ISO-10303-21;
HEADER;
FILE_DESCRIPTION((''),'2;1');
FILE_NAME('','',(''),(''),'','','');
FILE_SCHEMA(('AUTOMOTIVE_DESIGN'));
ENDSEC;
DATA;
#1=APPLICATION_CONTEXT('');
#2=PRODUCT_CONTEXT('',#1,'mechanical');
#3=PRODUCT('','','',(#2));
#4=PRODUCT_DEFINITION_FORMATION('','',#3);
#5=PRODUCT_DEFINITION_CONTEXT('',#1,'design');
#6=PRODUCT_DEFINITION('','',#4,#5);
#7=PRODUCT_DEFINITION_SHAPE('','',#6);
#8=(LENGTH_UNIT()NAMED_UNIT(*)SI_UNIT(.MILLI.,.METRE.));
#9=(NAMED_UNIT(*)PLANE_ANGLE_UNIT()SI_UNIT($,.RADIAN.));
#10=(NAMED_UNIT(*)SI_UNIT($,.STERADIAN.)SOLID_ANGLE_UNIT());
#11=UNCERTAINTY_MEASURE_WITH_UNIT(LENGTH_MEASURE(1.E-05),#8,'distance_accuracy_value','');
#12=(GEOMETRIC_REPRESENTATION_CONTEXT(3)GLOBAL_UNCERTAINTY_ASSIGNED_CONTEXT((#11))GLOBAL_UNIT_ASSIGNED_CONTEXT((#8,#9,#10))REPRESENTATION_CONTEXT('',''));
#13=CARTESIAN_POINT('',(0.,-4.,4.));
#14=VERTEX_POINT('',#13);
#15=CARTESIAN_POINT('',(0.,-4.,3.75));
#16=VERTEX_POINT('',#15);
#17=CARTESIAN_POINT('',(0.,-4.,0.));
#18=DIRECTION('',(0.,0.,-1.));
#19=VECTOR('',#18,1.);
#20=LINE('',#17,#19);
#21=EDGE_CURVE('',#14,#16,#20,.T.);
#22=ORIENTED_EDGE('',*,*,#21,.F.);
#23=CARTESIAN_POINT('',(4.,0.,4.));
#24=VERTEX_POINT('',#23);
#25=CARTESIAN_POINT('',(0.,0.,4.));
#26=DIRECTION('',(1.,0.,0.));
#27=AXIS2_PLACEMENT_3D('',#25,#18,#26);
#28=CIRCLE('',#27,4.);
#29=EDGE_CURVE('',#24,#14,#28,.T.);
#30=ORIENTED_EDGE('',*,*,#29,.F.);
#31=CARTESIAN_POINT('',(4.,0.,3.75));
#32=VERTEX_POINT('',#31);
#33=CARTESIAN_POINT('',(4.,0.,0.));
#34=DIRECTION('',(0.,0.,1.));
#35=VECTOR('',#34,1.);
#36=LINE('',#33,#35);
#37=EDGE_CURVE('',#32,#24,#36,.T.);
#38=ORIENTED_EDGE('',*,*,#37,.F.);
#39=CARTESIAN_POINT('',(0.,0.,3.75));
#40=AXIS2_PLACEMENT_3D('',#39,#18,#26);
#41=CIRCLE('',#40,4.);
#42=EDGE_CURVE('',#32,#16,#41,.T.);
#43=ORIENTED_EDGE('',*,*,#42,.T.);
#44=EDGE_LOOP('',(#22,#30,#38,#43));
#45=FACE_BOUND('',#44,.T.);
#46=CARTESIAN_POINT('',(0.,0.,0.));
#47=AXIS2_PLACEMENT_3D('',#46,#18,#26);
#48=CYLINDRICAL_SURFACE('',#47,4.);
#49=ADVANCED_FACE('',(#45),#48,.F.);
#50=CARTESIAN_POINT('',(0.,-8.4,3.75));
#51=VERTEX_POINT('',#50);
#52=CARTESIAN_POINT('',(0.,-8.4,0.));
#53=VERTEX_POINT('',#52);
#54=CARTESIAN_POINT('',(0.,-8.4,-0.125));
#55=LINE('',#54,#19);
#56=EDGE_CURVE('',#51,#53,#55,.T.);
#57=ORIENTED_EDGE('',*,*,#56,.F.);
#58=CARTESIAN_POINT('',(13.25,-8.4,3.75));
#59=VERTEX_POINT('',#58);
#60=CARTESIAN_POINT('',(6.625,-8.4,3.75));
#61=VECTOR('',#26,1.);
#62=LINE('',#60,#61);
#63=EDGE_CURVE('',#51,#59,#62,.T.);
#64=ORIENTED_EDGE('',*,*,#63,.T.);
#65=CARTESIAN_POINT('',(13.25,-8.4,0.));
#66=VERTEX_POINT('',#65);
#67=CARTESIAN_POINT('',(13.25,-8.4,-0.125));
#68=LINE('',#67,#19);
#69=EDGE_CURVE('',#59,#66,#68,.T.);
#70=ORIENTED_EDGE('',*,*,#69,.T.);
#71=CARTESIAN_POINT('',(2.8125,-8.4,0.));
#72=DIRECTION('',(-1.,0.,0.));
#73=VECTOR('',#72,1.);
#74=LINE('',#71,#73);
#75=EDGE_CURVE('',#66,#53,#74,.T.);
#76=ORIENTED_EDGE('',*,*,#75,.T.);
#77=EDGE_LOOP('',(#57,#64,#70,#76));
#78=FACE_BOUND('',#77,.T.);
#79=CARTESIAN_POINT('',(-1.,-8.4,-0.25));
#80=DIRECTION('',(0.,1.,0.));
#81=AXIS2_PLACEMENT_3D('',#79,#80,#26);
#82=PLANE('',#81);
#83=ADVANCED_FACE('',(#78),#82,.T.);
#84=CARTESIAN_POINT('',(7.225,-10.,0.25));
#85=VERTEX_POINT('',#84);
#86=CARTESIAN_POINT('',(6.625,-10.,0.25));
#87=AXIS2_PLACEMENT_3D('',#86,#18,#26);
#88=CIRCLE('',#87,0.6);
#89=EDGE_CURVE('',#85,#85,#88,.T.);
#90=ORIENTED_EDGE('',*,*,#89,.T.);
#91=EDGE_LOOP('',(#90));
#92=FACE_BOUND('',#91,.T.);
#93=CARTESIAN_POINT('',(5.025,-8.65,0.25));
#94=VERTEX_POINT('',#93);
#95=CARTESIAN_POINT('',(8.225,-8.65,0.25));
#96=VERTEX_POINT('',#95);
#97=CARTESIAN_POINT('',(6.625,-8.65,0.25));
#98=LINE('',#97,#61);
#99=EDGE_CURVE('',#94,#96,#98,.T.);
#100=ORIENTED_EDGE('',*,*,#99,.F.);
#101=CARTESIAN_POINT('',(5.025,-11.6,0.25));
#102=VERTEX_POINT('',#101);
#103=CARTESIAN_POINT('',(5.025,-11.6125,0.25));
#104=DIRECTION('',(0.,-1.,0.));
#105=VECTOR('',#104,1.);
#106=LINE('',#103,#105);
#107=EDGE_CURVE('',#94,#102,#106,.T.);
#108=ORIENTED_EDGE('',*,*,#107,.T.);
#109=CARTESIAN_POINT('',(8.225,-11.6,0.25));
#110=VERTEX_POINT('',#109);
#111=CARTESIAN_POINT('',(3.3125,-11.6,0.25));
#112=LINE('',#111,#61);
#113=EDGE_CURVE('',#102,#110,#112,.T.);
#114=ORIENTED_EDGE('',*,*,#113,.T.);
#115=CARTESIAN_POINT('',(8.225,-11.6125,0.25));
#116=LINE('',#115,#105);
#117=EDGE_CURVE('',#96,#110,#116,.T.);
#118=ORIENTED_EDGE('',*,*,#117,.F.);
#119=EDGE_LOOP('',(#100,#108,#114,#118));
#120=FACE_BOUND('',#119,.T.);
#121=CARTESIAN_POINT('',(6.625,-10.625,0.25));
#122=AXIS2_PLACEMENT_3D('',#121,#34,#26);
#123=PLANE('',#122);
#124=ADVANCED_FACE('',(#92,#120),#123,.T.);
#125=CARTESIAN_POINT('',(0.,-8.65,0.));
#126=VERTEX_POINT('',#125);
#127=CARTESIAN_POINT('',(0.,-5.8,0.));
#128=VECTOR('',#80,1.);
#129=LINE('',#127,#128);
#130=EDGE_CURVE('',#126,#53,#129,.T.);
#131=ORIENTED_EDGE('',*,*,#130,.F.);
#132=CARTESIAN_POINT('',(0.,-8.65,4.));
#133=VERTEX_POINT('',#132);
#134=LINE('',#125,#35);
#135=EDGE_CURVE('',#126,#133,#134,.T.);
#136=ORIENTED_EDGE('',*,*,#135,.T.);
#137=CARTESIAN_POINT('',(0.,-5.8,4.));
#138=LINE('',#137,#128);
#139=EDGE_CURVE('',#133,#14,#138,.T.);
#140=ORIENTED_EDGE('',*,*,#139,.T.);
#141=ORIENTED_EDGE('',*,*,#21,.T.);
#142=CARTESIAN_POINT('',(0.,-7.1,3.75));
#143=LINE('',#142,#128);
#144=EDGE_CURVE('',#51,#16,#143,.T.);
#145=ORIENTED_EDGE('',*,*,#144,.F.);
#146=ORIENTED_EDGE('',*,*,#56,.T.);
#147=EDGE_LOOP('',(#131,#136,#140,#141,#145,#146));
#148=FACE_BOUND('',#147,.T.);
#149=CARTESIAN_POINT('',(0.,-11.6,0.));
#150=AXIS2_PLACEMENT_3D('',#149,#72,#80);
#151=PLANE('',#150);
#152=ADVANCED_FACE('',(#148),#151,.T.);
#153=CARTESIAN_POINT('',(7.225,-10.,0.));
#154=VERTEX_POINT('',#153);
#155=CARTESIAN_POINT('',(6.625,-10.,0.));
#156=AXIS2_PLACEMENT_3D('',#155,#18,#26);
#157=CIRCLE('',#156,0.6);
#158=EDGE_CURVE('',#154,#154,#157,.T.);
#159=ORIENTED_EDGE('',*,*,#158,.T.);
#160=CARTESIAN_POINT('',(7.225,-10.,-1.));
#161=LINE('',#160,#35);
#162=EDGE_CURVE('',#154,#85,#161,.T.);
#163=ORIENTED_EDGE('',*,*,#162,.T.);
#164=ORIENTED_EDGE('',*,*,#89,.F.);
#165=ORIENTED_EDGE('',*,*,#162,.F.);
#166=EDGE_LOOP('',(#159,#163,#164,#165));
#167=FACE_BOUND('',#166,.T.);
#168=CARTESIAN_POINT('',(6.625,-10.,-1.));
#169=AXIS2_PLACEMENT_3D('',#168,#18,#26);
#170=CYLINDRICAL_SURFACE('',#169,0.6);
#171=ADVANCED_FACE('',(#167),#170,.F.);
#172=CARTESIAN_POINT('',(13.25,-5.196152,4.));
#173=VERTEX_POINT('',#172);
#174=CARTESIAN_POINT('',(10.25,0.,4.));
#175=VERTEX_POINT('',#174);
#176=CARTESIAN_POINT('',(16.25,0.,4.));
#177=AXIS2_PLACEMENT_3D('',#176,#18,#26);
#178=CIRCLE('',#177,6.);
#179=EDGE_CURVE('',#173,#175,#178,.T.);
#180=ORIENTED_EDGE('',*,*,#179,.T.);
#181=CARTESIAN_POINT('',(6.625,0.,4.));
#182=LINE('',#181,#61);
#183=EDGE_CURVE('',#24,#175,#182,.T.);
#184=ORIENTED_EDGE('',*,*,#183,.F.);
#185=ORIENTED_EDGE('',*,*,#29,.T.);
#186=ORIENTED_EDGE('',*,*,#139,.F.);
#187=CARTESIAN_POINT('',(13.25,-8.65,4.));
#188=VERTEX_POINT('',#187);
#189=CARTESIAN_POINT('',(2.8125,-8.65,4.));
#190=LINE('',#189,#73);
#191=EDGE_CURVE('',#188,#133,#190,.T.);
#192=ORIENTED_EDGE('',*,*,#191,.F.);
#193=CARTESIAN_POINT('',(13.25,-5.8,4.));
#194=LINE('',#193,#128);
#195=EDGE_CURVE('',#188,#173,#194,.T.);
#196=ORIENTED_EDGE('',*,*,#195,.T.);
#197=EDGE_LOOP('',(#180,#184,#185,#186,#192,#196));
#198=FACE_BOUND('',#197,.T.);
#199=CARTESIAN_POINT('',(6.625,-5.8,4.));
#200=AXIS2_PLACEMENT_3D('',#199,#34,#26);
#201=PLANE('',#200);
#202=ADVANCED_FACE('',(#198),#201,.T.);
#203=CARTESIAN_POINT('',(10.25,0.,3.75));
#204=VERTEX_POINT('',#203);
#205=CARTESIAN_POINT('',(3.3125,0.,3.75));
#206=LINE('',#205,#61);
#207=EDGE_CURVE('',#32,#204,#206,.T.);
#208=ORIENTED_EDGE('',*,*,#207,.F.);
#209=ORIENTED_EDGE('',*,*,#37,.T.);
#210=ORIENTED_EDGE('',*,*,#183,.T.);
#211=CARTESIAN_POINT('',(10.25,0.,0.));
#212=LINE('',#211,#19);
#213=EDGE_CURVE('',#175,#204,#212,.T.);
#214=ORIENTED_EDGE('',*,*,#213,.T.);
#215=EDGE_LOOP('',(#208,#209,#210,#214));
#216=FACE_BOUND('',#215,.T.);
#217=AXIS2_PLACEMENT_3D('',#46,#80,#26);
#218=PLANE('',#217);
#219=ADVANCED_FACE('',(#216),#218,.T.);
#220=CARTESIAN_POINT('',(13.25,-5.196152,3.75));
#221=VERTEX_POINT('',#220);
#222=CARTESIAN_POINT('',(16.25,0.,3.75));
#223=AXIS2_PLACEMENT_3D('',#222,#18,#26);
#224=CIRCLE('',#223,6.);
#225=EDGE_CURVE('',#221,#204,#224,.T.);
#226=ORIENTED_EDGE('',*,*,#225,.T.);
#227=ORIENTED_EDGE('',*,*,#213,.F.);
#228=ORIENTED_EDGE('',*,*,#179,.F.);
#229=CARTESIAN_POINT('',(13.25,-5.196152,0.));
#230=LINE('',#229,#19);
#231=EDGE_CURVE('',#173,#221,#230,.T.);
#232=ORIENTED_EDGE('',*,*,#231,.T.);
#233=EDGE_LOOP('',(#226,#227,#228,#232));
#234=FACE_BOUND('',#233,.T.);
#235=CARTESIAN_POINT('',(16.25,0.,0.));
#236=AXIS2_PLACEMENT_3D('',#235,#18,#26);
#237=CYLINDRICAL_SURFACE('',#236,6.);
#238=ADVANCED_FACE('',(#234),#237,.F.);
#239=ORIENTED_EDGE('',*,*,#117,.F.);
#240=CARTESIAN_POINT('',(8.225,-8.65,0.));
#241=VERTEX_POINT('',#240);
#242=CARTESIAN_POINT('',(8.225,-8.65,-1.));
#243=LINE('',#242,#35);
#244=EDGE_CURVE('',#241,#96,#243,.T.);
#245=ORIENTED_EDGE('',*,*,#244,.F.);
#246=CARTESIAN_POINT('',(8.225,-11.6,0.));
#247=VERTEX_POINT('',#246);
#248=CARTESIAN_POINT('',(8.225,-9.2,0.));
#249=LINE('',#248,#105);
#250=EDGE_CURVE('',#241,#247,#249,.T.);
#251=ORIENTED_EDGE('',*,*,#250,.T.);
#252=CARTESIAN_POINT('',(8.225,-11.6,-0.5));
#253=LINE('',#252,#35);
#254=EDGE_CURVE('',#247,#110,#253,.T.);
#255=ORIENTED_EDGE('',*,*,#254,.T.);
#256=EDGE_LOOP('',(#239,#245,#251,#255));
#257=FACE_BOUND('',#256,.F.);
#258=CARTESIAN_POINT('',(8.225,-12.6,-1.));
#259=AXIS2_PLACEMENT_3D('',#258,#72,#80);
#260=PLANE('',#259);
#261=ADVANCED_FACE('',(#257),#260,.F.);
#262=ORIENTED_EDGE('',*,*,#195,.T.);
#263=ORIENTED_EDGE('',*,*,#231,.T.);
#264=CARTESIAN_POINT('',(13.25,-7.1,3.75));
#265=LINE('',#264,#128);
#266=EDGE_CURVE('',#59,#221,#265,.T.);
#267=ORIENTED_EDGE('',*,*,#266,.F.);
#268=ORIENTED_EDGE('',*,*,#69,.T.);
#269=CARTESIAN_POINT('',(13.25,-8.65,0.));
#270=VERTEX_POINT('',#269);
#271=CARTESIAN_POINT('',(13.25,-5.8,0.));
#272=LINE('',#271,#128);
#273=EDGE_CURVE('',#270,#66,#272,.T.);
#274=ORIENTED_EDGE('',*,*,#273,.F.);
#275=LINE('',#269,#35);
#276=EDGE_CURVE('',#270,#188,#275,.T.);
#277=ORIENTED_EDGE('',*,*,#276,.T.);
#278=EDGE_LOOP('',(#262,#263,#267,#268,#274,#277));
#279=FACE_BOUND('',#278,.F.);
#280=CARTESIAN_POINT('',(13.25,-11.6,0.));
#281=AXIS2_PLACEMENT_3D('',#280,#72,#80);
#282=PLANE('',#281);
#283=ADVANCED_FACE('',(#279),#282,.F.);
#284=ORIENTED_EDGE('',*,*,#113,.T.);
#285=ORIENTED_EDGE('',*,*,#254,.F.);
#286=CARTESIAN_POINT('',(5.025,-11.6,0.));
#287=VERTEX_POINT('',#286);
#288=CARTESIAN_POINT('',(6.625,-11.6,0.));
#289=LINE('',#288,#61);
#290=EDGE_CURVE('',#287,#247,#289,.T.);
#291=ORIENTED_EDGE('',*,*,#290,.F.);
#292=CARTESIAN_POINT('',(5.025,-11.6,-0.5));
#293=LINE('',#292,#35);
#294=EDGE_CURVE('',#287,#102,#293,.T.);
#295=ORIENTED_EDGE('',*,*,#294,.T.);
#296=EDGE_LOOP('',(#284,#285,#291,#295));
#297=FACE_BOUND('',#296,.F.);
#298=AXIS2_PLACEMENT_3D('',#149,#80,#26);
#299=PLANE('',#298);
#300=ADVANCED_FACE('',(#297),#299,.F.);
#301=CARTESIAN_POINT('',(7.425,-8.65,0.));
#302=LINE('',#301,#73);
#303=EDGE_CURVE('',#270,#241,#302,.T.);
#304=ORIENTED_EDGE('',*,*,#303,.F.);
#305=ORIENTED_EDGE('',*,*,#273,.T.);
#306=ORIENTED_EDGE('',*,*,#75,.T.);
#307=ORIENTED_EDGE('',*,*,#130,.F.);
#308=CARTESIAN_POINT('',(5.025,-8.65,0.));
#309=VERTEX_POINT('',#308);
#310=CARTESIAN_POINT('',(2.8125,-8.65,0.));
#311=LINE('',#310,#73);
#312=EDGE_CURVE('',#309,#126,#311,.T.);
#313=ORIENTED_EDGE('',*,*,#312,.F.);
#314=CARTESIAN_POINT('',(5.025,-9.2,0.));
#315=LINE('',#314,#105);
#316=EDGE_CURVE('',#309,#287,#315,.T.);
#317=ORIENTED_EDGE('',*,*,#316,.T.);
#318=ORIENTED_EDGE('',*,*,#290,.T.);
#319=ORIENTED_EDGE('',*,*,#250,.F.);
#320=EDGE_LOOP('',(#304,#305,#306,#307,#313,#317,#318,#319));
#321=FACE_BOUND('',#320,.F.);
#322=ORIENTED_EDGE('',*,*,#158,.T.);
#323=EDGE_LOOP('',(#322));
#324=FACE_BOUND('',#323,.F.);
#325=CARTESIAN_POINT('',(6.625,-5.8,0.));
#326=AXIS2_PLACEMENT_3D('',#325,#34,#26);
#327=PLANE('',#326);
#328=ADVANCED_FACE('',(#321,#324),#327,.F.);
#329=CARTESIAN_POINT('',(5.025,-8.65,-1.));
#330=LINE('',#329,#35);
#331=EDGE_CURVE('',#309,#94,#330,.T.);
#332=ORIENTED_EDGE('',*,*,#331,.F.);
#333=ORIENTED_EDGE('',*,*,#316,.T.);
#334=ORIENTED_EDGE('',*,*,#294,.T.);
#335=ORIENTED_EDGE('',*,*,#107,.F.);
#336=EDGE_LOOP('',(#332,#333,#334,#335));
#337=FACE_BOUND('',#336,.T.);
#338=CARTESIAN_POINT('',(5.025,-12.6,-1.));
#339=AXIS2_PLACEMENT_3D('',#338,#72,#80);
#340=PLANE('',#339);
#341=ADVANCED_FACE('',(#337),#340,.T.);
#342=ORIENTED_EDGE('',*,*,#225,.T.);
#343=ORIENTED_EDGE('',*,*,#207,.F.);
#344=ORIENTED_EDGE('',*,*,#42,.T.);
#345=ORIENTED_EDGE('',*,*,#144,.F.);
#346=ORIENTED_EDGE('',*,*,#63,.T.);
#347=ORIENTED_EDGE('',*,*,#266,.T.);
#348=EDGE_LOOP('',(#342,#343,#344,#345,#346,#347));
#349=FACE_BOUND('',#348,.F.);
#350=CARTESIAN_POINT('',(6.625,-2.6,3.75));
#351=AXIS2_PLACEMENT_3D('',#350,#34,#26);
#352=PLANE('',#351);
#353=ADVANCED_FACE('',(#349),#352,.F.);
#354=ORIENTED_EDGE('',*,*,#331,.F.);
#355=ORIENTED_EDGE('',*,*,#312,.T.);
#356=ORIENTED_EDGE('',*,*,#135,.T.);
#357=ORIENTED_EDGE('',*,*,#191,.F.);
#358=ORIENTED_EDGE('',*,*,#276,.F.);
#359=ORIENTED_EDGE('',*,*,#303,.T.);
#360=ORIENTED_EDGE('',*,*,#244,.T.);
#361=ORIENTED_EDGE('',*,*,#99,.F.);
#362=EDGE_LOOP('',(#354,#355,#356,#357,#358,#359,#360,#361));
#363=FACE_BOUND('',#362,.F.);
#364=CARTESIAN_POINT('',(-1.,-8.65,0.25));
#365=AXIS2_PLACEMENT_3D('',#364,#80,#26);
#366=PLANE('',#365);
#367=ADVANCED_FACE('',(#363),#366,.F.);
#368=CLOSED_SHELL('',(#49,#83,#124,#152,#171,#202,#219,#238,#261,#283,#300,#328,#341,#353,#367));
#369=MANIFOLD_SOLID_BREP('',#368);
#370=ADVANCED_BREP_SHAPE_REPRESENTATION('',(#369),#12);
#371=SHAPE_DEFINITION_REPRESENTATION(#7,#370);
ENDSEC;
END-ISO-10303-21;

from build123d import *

# Parameters (mm, degrees)
CYLINDER002_R     = 0.6
CYLINDER002_DEPTH = 4
CYLINDER001_R     = 6
CYLINDER001_DEPTH = 6
CYLINDER_R        = 4
CYLINDER_DEPTH    = 6
CUBE004_W         = 6.025
CUBE004_H         = 3.95
CUBE004_DEPTH     = 4
CUBE003_W         = 6.025
CUBE003_H         = 3.95
CUBE003_DEPTH     = 4
CUBE002_W         = 15.25
CUBE002_H         = 11.6
CUBE002_DEPTH     = 4
CUBE001_W         = 15.25
CUBE001_H         = 3.95
CUBE001_DEPTH     = 4
CUBE_W            = 13.25
CUBE_H            = 11.6
CUBE_DEPTH        = 4


with BuildPart() as cylinder002:
    # cylinder002 → cylinder002 (new body)
    with BuildSketch(Plane(origin=(6.625, -10, -1), x_dir=(1, 0, 0), z_dir=(0, 0, 1))):
        Circle(CYLINDER002_R)
    extrude(amount=CYLINDER002_DEPTH)


with BuildPart() as cylinder001:
    # cylinder001 → cylinder001 (new body)
    with BuildSketch(Plane(origin=(16.25, 0, 0), x_dir=(1, 0, 0), z_dir=(0, 0, 1))):
        Circle(CYLINDER001_R)
    extrude(amount=CYLINDER001_DEPTH)


with BuildPart() as cylinder:
    # cylinder → cylinder (new body)
    with BuildSketch(Plane.XY):
        Circle(CYLINDER_R)
    extrude(amount=CYLINDER_DEPTH)


with BuildPart() as cube004:
    # cube004 → cube004 (new body)
    with BuildSketch(Plane(origin=(8.225, -12.6, -1), x_dir=(1, 0, 0), z_dir=(0, 0, 1))):
        with Locations((3.0125, 1.975)):
            Rectangle(CUBE004_W, CUBE004_H)
    extrude(amount=CUBE004_DEPTH)


with BuildPart() as cube003:
    # cube003 → cube003 (new body)
    with BuildSketch(Plane(origin=(-1, -12.6, -1), x_dir=(1, 0, 0), z_dir=(0, 0, 1))):
        with Locations((3.0125, 1.975)):
            Rectangle(CUBE003_W, CUBE003_H)
    extrude(amount=CUBE003_DEPTH)


with BuildPart() as cube002:
    # cube002 → cube002 (new body)
    with BuildSketch(Plane(origin=(-1, -8.4, -0.25), x_dir=(1, 0, 0), z_dir=(0, 0, 1))):
        with Locations((7.625, 5.8)):
            Rectangle(CUBE002_W, CUBE002_H)
    extrude(amount=CUBE002_DEPTH)


with BuildPart() as cube001:
    # cube001 → cube001 (new body)
    with BuildSketch(Plane(origin=(-1, -1, 0.25), x_dir=(1, 0, 0), z_dir=(0, 0, 1))):
        with Locations((7.625, 1.975)):
            Rectangle(CUBE001_W, CUBE001_H)
    extrude(amount=CUBE001_DEPTH)


with BuildPart() as difference006:
    # cube → cube (new body)
    with BuildSketch(Plane.XY):
        with Locations((6.625, 5.8)):
            Rectangle(CUBE_W, CUBE_H)
    extrude(amount=CUBE_DEPTH)

    # difference: cut cube001
    add(cube001.part, mode=Mode.SUBTRACT)


with BuildPart() as difference006_1:
    # difference placement: moved
    add(difference006.part.moved(Location((0, -11.6, 0))))

    # difference001: cut cube002
    add(cube002.part, mode=Mode.SUBTRACT)

    # difference002: cut cube003
    add(cube003.part, mode=Mode.SUBTRACT)

    # difference003: cut cube004
    add(cube004.part, mode=Mode.SUBTRACT)

    # difference004: cut cylinder
    add(cylinder.part, mode=Mode.SUBTRACT)

    # difference005: cut cylinder001
    add(cylinder001.part, mode=Mode.SUBTRACT)

    # difference006: cut cylinder002
    add(cylinder002.part, mode=Mode.SUBTRACT)


solid = difference006_1.part
